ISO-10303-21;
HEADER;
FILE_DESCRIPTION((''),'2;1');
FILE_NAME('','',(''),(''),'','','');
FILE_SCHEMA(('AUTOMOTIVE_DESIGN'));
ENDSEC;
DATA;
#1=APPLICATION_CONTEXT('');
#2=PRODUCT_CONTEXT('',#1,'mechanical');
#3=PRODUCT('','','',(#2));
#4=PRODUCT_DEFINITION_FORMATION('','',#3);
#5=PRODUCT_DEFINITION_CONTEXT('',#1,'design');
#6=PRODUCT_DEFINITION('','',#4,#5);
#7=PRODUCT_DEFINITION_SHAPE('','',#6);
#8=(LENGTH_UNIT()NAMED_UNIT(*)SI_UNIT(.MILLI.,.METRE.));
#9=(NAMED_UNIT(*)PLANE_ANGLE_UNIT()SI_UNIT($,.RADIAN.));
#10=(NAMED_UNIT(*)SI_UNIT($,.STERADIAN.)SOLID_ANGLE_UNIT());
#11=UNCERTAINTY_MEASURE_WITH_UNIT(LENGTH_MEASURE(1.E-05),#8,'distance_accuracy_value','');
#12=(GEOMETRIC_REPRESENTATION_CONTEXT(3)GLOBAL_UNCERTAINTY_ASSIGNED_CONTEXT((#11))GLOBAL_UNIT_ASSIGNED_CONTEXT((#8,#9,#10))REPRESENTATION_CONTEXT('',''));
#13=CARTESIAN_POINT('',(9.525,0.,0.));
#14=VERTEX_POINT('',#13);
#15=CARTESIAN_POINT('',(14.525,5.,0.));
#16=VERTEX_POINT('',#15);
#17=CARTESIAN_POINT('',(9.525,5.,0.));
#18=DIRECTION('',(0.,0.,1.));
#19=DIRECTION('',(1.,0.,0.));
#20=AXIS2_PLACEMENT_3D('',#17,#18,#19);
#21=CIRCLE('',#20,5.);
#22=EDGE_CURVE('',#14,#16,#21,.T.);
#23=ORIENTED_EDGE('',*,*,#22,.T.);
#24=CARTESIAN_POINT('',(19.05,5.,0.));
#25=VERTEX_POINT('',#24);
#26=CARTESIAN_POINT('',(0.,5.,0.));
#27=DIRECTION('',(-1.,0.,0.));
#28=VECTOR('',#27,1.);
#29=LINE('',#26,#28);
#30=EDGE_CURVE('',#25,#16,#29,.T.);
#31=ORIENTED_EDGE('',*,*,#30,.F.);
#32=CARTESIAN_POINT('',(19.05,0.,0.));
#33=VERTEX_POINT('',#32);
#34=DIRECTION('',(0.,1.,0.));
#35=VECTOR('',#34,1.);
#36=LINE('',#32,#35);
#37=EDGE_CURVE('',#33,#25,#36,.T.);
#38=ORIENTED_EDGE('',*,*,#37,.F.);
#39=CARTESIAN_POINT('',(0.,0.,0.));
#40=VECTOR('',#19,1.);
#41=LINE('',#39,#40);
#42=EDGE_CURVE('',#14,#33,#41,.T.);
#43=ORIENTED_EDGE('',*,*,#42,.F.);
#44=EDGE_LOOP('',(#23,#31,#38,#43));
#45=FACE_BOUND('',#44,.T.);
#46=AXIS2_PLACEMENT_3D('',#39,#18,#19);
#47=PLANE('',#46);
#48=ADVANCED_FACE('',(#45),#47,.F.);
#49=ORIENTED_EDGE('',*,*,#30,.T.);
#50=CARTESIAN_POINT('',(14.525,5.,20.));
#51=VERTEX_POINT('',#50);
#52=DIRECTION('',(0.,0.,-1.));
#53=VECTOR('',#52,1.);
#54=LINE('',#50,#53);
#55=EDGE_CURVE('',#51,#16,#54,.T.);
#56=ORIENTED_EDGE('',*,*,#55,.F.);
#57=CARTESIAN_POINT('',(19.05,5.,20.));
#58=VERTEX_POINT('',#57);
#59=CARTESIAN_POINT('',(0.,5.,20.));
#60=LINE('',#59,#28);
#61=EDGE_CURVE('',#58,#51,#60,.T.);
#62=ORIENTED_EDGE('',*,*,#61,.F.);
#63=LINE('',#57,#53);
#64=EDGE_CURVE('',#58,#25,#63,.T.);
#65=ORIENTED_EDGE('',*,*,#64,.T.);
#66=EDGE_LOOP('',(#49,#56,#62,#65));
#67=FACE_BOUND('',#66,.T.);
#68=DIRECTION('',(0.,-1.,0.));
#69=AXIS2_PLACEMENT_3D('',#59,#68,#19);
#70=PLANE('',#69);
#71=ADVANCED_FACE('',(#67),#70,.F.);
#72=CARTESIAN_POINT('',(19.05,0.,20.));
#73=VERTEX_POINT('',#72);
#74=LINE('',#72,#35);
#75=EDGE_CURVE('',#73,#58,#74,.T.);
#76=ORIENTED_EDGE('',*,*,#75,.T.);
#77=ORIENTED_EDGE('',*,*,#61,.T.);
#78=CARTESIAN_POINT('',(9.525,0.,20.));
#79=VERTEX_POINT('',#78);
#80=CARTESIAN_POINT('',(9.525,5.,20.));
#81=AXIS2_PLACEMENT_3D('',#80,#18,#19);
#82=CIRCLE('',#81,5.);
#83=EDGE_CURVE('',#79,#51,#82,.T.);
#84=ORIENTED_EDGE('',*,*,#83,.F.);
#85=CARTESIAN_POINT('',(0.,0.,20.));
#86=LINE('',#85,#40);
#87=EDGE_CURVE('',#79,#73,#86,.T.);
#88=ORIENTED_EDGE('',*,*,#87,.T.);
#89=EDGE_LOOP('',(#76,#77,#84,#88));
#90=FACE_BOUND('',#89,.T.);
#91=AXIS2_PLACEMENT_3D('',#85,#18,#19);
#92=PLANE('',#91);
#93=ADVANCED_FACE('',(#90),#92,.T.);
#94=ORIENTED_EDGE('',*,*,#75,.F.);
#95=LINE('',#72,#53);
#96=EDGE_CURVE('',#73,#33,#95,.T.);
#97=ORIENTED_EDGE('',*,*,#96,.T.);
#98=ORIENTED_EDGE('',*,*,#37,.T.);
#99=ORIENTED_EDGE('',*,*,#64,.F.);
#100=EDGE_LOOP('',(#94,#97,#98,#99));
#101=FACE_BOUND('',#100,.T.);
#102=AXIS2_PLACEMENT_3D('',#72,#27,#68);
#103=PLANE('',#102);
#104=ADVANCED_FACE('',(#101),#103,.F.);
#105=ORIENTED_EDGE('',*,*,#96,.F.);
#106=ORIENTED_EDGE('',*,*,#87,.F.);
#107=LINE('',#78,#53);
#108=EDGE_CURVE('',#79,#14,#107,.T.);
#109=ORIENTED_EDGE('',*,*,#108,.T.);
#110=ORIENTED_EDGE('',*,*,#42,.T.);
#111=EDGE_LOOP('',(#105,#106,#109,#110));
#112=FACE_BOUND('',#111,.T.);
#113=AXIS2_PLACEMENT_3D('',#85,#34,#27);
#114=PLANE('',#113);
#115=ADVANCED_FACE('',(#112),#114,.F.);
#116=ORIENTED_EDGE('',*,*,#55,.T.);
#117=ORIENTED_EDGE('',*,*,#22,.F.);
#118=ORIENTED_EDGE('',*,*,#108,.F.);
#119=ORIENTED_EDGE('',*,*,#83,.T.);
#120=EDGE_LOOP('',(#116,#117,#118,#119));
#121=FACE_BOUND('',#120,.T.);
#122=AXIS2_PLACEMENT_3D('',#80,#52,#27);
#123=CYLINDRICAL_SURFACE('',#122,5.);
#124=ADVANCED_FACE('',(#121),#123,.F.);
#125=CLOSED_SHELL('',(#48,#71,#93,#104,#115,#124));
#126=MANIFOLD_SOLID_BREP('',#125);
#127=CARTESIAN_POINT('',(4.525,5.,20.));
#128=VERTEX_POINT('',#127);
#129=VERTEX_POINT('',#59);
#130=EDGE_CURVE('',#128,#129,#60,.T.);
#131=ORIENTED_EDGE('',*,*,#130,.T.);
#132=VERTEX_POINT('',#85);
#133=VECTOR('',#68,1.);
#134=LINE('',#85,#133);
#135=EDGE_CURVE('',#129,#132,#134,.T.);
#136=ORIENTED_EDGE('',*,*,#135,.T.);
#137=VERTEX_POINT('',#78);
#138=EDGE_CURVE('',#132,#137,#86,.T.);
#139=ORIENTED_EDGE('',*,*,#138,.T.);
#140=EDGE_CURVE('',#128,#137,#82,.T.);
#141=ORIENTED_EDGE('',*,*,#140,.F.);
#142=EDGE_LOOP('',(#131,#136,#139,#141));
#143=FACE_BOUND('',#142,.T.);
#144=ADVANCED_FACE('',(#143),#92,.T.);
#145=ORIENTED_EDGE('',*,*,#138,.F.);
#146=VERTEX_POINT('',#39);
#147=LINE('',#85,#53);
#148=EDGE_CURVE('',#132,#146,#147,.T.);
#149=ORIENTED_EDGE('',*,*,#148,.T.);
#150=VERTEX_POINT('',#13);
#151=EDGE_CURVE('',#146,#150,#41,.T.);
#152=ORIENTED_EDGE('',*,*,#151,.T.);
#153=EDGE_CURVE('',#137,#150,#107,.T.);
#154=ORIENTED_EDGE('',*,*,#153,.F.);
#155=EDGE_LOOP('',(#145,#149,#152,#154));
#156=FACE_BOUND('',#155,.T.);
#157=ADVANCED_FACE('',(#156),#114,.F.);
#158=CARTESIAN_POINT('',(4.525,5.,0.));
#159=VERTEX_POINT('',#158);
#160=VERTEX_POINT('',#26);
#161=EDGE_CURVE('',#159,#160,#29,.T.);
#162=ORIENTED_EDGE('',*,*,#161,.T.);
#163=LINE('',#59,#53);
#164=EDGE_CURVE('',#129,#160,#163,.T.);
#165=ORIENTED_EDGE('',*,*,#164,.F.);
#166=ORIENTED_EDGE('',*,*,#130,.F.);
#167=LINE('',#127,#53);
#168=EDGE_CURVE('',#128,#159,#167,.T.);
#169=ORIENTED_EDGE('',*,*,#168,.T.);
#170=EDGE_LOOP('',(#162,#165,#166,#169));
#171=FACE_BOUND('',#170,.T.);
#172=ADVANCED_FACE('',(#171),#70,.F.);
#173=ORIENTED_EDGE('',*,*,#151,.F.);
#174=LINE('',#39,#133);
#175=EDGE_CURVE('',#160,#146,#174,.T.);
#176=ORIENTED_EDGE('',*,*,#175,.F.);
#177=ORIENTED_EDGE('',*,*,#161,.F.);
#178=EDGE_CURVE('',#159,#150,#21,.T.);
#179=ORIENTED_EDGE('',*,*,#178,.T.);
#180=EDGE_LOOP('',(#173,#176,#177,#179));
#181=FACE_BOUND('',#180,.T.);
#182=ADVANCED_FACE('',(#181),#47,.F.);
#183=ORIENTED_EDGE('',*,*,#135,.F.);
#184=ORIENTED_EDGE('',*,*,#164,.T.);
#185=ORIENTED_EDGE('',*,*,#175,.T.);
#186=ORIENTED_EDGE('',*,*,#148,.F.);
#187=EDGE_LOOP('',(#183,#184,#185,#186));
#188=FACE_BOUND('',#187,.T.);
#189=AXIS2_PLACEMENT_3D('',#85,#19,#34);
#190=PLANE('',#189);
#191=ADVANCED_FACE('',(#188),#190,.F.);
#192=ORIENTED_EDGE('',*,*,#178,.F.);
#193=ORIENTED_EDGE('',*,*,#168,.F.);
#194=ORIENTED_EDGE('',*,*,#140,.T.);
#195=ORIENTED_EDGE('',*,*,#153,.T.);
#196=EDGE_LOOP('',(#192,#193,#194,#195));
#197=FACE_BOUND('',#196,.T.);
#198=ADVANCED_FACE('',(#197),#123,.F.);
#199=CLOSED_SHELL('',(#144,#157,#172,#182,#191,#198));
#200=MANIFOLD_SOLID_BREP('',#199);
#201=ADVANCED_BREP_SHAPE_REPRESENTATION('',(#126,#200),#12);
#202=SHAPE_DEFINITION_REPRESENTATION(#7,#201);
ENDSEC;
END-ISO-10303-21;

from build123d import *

# Parameters (mm, degrees)
BOSS_EXTRUDE1_DEPTH   = 20
BOSS_EXTRUDE1_2_DEPTH = 20


with BuildPart() as part:
    # Sketch1 → Boss-Extrude1 (new body)
    with BuildSketch(Plane.XY):
        with BuildLine():
            Line((0, 5), (0, 0))
            Line((0, 0), (9.525, 0))
            ThreePointArc((9.525, 0), (5.989466094, 1.464466094), (4.525, 5))
            Line((4.525, 5), (0, 5))
        make_face()
    extrude(amount=BOSS_EXTRUDE1_DEPTH)


with BuildPart() as body_2:
    # Sketch1 → Boss-Extrude1 2 (new body)
    with BuildSketch(Plane.XY):
        with BuildLine():
            ThreePointArc((14.525, 5), (13.060533906, 1.464466094), (9.525, 0))
            Line((9.525, 0), (19.05, 0))
            Line((19.05, 0), (19.05, 5))
            Line((19.05, 5), (14.525, 5))
        make_face()
    extrude(amount=BOSS_EXTRUDE1_2_DEPTH)


solid = Compound([part.part, body_2.part])
